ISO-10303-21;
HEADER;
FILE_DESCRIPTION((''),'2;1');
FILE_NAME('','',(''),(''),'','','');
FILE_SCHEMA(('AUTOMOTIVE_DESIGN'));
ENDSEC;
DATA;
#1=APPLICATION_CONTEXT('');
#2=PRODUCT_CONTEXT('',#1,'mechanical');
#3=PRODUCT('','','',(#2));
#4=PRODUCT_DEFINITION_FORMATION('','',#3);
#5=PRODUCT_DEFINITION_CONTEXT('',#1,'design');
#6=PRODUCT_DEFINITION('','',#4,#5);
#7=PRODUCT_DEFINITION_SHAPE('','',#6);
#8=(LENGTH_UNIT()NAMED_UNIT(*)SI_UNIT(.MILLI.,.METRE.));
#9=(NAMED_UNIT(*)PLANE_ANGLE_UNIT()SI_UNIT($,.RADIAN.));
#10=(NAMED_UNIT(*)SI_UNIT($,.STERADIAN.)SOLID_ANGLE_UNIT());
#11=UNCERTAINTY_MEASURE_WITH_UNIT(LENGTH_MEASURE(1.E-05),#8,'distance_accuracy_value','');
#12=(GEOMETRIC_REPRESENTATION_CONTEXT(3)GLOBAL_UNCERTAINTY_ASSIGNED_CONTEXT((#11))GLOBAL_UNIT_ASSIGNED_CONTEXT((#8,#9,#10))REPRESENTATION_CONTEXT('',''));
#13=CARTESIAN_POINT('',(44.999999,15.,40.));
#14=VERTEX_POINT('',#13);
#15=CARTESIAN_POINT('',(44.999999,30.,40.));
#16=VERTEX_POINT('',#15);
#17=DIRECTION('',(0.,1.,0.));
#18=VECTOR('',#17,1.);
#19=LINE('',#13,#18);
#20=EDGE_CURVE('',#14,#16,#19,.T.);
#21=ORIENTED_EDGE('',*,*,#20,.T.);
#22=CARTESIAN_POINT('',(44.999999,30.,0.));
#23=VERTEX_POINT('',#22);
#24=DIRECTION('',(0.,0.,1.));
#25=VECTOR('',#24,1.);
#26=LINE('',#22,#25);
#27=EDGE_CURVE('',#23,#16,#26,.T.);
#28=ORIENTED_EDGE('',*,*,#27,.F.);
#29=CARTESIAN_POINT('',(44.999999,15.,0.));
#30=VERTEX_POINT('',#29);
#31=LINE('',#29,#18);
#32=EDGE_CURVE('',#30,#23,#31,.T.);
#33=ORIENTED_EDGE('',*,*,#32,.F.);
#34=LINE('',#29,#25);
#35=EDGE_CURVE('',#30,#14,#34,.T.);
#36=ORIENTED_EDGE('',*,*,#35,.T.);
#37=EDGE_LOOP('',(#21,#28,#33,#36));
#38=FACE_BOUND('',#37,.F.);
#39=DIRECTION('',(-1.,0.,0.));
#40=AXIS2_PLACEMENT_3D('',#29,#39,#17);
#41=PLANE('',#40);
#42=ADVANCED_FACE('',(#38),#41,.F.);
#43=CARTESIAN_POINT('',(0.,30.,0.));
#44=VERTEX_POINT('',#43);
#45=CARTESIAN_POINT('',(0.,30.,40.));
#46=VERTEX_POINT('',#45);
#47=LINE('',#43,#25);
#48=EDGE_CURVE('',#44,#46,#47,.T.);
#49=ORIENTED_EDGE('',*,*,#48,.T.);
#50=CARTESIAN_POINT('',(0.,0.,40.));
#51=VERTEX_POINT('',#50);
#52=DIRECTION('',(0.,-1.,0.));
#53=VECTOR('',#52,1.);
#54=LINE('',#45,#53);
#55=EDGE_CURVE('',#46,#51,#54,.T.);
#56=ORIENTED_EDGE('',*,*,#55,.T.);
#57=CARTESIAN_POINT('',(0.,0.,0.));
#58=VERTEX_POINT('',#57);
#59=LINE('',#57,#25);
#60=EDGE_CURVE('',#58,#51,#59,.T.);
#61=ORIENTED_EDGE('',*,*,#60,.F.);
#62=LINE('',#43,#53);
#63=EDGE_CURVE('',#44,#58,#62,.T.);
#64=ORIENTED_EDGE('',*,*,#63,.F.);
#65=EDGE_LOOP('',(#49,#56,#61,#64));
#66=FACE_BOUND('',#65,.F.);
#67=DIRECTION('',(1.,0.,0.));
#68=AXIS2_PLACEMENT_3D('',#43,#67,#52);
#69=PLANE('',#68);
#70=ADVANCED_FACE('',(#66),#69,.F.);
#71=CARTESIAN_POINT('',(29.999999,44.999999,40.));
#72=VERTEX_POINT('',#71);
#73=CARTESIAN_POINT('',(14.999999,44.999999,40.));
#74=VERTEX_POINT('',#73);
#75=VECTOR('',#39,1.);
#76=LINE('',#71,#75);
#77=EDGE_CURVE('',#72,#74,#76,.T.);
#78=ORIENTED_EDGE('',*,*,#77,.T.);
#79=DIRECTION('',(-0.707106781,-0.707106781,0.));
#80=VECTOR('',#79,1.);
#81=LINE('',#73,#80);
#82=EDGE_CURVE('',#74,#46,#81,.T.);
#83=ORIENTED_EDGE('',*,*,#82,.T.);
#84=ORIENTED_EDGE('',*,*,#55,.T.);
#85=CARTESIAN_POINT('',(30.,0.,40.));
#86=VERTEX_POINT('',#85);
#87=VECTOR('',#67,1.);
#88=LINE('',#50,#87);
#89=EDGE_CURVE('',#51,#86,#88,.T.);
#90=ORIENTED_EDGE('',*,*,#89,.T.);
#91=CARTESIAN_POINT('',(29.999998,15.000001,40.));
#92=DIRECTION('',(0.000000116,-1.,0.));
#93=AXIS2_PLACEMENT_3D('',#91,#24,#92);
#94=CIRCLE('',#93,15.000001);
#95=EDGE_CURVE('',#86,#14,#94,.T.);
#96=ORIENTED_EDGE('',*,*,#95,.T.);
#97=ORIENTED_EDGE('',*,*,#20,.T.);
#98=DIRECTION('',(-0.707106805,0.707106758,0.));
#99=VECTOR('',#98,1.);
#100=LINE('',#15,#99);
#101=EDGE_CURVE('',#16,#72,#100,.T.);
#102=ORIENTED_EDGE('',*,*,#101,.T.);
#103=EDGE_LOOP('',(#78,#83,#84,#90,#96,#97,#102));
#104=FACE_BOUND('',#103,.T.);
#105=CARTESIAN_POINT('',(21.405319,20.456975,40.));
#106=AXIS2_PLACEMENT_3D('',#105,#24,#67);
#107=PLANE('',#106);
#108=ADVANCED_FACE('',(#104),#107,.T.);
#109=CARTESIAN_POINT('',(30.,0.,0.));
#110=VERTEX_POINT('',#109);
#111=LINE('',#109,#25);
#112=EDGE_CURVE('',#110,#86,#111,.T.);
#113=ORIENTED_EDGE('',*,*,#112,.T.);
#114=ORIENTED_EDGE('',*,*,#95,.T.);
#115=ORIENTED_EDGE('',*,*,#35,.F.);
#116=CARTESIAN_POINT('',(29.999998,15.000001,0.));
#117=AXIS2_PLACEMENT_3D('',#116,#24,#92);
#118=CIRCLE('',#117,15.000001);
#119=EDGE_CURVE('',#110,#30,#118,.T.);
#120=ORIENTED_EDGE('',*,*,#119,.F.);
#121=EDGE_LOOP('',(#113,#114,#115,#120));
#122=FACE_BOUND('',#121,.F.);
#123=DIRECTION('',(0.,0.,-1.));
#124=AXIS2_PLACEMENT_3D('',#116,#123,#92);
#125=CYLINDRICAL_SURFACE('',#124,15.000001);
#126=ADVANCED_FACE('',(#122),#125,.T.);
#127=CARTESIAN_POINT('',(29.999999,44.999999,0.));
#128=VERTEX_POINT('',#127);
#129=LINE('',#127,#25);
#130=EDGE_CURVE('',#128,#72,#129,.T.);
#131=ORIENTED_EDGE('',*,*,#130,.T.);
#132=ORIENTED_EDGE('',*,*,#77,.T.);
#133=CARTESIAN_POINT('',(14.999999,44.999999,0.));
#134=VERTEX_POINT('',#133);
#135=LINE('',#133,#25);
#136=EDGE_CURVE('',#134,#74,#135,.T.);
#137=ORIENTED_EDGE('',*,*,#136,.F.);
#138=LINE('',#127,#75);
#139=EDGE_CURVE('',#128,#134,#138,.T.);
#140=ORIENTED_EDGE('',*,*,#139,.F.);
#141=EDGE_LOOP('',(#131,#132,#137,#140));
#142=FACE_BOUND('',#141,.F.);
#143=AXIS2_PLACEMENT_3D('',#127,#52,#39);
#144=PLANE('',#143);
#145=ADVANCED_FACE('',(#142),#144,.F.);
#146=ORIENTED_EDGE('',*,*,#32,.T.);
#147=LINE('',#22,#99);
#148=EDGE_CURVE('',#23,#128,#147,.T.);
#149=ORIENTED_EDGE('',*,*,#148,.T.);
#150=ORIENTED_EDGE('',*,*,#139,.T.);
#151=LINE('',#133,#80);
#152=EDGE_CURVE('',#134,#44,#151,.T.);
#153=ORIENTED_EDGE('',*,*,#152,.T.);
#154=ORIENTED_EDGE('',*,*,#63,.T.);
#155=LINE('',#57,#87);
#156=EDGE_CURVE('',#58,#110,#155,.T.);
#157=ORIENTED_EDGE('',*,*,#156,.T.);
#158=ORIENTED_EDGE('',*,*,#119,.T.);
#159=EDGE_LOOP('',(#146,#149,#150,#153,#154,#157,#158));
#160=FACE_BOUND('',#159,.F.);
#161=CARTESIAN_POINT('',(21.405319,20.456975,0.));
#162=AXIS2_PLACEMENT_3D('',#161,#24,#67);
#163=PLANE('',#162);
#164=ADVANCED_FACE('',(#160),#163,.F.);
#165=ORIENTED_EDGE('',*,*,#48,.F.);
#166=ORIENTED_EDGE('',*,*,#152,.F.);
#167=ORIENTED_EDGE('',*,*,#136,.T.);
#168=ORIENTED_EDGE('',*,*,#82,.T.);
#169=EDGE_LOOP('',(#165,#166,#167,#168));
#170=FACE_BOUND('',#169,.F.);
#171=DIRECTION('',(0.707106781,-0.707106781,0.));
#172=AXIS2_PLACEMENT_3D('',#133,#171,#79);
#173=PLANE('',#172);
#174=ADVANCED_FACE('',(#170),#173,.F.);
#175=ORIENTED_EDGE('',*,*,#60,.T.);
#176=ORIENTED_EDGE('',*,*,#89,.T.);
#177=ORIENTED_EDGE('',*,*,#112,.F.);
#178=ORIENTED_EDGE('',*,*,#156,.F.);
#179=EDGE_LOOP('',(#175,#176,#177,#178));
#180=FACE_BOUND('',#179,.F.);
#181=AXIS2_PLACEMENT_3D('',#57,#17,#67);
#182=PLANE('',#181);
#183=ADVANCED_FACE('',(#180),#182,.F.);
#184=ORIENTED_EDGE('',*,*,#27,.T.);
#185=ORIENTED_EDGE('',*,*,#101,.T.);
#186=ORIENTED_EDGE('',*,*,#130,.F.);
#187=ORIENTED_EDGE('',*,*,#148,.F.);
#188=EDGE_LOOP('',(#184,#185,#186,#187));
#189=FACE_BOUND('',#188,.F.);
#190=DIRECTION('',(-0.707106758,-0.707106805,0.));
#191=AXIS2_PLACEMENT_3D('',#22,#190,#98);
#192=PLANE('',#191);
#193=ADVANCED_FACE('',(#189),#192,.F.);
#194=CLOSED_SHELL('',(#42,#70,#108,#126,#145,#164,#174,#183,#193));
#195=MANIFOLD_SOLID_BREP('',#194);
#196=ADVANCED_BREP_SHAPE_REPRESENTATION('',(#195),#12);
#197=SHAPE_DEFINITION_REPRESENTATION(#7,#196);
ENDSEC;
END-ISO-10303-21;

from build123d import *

# Parameters (mm, degrees)
F1_DEPTH = 40


with BuildPart() as f1:
    # F0 (on Top) → F1 (new body)
    with BuildSketch(Plane.XY):
        with BuildLine():
            Line((0, 30), (0, 0))
            Line((0, 0), (30, 0))
            ThreePointArc((30, 0), (40.606601, 4.393399), (44.999999, 15))
            Line((44.999999, 15), (44.999999, 30))
            Line((44.999999, 30), (29.999999, 44.999999))
            Line((29.999999, 44.999999), (14.999999, 44.999999))
            Line((14.999999, 44.999999), (0, 30))
        make_face()
    extrude(amount=F1_DEPTH)


solid = f1.part
